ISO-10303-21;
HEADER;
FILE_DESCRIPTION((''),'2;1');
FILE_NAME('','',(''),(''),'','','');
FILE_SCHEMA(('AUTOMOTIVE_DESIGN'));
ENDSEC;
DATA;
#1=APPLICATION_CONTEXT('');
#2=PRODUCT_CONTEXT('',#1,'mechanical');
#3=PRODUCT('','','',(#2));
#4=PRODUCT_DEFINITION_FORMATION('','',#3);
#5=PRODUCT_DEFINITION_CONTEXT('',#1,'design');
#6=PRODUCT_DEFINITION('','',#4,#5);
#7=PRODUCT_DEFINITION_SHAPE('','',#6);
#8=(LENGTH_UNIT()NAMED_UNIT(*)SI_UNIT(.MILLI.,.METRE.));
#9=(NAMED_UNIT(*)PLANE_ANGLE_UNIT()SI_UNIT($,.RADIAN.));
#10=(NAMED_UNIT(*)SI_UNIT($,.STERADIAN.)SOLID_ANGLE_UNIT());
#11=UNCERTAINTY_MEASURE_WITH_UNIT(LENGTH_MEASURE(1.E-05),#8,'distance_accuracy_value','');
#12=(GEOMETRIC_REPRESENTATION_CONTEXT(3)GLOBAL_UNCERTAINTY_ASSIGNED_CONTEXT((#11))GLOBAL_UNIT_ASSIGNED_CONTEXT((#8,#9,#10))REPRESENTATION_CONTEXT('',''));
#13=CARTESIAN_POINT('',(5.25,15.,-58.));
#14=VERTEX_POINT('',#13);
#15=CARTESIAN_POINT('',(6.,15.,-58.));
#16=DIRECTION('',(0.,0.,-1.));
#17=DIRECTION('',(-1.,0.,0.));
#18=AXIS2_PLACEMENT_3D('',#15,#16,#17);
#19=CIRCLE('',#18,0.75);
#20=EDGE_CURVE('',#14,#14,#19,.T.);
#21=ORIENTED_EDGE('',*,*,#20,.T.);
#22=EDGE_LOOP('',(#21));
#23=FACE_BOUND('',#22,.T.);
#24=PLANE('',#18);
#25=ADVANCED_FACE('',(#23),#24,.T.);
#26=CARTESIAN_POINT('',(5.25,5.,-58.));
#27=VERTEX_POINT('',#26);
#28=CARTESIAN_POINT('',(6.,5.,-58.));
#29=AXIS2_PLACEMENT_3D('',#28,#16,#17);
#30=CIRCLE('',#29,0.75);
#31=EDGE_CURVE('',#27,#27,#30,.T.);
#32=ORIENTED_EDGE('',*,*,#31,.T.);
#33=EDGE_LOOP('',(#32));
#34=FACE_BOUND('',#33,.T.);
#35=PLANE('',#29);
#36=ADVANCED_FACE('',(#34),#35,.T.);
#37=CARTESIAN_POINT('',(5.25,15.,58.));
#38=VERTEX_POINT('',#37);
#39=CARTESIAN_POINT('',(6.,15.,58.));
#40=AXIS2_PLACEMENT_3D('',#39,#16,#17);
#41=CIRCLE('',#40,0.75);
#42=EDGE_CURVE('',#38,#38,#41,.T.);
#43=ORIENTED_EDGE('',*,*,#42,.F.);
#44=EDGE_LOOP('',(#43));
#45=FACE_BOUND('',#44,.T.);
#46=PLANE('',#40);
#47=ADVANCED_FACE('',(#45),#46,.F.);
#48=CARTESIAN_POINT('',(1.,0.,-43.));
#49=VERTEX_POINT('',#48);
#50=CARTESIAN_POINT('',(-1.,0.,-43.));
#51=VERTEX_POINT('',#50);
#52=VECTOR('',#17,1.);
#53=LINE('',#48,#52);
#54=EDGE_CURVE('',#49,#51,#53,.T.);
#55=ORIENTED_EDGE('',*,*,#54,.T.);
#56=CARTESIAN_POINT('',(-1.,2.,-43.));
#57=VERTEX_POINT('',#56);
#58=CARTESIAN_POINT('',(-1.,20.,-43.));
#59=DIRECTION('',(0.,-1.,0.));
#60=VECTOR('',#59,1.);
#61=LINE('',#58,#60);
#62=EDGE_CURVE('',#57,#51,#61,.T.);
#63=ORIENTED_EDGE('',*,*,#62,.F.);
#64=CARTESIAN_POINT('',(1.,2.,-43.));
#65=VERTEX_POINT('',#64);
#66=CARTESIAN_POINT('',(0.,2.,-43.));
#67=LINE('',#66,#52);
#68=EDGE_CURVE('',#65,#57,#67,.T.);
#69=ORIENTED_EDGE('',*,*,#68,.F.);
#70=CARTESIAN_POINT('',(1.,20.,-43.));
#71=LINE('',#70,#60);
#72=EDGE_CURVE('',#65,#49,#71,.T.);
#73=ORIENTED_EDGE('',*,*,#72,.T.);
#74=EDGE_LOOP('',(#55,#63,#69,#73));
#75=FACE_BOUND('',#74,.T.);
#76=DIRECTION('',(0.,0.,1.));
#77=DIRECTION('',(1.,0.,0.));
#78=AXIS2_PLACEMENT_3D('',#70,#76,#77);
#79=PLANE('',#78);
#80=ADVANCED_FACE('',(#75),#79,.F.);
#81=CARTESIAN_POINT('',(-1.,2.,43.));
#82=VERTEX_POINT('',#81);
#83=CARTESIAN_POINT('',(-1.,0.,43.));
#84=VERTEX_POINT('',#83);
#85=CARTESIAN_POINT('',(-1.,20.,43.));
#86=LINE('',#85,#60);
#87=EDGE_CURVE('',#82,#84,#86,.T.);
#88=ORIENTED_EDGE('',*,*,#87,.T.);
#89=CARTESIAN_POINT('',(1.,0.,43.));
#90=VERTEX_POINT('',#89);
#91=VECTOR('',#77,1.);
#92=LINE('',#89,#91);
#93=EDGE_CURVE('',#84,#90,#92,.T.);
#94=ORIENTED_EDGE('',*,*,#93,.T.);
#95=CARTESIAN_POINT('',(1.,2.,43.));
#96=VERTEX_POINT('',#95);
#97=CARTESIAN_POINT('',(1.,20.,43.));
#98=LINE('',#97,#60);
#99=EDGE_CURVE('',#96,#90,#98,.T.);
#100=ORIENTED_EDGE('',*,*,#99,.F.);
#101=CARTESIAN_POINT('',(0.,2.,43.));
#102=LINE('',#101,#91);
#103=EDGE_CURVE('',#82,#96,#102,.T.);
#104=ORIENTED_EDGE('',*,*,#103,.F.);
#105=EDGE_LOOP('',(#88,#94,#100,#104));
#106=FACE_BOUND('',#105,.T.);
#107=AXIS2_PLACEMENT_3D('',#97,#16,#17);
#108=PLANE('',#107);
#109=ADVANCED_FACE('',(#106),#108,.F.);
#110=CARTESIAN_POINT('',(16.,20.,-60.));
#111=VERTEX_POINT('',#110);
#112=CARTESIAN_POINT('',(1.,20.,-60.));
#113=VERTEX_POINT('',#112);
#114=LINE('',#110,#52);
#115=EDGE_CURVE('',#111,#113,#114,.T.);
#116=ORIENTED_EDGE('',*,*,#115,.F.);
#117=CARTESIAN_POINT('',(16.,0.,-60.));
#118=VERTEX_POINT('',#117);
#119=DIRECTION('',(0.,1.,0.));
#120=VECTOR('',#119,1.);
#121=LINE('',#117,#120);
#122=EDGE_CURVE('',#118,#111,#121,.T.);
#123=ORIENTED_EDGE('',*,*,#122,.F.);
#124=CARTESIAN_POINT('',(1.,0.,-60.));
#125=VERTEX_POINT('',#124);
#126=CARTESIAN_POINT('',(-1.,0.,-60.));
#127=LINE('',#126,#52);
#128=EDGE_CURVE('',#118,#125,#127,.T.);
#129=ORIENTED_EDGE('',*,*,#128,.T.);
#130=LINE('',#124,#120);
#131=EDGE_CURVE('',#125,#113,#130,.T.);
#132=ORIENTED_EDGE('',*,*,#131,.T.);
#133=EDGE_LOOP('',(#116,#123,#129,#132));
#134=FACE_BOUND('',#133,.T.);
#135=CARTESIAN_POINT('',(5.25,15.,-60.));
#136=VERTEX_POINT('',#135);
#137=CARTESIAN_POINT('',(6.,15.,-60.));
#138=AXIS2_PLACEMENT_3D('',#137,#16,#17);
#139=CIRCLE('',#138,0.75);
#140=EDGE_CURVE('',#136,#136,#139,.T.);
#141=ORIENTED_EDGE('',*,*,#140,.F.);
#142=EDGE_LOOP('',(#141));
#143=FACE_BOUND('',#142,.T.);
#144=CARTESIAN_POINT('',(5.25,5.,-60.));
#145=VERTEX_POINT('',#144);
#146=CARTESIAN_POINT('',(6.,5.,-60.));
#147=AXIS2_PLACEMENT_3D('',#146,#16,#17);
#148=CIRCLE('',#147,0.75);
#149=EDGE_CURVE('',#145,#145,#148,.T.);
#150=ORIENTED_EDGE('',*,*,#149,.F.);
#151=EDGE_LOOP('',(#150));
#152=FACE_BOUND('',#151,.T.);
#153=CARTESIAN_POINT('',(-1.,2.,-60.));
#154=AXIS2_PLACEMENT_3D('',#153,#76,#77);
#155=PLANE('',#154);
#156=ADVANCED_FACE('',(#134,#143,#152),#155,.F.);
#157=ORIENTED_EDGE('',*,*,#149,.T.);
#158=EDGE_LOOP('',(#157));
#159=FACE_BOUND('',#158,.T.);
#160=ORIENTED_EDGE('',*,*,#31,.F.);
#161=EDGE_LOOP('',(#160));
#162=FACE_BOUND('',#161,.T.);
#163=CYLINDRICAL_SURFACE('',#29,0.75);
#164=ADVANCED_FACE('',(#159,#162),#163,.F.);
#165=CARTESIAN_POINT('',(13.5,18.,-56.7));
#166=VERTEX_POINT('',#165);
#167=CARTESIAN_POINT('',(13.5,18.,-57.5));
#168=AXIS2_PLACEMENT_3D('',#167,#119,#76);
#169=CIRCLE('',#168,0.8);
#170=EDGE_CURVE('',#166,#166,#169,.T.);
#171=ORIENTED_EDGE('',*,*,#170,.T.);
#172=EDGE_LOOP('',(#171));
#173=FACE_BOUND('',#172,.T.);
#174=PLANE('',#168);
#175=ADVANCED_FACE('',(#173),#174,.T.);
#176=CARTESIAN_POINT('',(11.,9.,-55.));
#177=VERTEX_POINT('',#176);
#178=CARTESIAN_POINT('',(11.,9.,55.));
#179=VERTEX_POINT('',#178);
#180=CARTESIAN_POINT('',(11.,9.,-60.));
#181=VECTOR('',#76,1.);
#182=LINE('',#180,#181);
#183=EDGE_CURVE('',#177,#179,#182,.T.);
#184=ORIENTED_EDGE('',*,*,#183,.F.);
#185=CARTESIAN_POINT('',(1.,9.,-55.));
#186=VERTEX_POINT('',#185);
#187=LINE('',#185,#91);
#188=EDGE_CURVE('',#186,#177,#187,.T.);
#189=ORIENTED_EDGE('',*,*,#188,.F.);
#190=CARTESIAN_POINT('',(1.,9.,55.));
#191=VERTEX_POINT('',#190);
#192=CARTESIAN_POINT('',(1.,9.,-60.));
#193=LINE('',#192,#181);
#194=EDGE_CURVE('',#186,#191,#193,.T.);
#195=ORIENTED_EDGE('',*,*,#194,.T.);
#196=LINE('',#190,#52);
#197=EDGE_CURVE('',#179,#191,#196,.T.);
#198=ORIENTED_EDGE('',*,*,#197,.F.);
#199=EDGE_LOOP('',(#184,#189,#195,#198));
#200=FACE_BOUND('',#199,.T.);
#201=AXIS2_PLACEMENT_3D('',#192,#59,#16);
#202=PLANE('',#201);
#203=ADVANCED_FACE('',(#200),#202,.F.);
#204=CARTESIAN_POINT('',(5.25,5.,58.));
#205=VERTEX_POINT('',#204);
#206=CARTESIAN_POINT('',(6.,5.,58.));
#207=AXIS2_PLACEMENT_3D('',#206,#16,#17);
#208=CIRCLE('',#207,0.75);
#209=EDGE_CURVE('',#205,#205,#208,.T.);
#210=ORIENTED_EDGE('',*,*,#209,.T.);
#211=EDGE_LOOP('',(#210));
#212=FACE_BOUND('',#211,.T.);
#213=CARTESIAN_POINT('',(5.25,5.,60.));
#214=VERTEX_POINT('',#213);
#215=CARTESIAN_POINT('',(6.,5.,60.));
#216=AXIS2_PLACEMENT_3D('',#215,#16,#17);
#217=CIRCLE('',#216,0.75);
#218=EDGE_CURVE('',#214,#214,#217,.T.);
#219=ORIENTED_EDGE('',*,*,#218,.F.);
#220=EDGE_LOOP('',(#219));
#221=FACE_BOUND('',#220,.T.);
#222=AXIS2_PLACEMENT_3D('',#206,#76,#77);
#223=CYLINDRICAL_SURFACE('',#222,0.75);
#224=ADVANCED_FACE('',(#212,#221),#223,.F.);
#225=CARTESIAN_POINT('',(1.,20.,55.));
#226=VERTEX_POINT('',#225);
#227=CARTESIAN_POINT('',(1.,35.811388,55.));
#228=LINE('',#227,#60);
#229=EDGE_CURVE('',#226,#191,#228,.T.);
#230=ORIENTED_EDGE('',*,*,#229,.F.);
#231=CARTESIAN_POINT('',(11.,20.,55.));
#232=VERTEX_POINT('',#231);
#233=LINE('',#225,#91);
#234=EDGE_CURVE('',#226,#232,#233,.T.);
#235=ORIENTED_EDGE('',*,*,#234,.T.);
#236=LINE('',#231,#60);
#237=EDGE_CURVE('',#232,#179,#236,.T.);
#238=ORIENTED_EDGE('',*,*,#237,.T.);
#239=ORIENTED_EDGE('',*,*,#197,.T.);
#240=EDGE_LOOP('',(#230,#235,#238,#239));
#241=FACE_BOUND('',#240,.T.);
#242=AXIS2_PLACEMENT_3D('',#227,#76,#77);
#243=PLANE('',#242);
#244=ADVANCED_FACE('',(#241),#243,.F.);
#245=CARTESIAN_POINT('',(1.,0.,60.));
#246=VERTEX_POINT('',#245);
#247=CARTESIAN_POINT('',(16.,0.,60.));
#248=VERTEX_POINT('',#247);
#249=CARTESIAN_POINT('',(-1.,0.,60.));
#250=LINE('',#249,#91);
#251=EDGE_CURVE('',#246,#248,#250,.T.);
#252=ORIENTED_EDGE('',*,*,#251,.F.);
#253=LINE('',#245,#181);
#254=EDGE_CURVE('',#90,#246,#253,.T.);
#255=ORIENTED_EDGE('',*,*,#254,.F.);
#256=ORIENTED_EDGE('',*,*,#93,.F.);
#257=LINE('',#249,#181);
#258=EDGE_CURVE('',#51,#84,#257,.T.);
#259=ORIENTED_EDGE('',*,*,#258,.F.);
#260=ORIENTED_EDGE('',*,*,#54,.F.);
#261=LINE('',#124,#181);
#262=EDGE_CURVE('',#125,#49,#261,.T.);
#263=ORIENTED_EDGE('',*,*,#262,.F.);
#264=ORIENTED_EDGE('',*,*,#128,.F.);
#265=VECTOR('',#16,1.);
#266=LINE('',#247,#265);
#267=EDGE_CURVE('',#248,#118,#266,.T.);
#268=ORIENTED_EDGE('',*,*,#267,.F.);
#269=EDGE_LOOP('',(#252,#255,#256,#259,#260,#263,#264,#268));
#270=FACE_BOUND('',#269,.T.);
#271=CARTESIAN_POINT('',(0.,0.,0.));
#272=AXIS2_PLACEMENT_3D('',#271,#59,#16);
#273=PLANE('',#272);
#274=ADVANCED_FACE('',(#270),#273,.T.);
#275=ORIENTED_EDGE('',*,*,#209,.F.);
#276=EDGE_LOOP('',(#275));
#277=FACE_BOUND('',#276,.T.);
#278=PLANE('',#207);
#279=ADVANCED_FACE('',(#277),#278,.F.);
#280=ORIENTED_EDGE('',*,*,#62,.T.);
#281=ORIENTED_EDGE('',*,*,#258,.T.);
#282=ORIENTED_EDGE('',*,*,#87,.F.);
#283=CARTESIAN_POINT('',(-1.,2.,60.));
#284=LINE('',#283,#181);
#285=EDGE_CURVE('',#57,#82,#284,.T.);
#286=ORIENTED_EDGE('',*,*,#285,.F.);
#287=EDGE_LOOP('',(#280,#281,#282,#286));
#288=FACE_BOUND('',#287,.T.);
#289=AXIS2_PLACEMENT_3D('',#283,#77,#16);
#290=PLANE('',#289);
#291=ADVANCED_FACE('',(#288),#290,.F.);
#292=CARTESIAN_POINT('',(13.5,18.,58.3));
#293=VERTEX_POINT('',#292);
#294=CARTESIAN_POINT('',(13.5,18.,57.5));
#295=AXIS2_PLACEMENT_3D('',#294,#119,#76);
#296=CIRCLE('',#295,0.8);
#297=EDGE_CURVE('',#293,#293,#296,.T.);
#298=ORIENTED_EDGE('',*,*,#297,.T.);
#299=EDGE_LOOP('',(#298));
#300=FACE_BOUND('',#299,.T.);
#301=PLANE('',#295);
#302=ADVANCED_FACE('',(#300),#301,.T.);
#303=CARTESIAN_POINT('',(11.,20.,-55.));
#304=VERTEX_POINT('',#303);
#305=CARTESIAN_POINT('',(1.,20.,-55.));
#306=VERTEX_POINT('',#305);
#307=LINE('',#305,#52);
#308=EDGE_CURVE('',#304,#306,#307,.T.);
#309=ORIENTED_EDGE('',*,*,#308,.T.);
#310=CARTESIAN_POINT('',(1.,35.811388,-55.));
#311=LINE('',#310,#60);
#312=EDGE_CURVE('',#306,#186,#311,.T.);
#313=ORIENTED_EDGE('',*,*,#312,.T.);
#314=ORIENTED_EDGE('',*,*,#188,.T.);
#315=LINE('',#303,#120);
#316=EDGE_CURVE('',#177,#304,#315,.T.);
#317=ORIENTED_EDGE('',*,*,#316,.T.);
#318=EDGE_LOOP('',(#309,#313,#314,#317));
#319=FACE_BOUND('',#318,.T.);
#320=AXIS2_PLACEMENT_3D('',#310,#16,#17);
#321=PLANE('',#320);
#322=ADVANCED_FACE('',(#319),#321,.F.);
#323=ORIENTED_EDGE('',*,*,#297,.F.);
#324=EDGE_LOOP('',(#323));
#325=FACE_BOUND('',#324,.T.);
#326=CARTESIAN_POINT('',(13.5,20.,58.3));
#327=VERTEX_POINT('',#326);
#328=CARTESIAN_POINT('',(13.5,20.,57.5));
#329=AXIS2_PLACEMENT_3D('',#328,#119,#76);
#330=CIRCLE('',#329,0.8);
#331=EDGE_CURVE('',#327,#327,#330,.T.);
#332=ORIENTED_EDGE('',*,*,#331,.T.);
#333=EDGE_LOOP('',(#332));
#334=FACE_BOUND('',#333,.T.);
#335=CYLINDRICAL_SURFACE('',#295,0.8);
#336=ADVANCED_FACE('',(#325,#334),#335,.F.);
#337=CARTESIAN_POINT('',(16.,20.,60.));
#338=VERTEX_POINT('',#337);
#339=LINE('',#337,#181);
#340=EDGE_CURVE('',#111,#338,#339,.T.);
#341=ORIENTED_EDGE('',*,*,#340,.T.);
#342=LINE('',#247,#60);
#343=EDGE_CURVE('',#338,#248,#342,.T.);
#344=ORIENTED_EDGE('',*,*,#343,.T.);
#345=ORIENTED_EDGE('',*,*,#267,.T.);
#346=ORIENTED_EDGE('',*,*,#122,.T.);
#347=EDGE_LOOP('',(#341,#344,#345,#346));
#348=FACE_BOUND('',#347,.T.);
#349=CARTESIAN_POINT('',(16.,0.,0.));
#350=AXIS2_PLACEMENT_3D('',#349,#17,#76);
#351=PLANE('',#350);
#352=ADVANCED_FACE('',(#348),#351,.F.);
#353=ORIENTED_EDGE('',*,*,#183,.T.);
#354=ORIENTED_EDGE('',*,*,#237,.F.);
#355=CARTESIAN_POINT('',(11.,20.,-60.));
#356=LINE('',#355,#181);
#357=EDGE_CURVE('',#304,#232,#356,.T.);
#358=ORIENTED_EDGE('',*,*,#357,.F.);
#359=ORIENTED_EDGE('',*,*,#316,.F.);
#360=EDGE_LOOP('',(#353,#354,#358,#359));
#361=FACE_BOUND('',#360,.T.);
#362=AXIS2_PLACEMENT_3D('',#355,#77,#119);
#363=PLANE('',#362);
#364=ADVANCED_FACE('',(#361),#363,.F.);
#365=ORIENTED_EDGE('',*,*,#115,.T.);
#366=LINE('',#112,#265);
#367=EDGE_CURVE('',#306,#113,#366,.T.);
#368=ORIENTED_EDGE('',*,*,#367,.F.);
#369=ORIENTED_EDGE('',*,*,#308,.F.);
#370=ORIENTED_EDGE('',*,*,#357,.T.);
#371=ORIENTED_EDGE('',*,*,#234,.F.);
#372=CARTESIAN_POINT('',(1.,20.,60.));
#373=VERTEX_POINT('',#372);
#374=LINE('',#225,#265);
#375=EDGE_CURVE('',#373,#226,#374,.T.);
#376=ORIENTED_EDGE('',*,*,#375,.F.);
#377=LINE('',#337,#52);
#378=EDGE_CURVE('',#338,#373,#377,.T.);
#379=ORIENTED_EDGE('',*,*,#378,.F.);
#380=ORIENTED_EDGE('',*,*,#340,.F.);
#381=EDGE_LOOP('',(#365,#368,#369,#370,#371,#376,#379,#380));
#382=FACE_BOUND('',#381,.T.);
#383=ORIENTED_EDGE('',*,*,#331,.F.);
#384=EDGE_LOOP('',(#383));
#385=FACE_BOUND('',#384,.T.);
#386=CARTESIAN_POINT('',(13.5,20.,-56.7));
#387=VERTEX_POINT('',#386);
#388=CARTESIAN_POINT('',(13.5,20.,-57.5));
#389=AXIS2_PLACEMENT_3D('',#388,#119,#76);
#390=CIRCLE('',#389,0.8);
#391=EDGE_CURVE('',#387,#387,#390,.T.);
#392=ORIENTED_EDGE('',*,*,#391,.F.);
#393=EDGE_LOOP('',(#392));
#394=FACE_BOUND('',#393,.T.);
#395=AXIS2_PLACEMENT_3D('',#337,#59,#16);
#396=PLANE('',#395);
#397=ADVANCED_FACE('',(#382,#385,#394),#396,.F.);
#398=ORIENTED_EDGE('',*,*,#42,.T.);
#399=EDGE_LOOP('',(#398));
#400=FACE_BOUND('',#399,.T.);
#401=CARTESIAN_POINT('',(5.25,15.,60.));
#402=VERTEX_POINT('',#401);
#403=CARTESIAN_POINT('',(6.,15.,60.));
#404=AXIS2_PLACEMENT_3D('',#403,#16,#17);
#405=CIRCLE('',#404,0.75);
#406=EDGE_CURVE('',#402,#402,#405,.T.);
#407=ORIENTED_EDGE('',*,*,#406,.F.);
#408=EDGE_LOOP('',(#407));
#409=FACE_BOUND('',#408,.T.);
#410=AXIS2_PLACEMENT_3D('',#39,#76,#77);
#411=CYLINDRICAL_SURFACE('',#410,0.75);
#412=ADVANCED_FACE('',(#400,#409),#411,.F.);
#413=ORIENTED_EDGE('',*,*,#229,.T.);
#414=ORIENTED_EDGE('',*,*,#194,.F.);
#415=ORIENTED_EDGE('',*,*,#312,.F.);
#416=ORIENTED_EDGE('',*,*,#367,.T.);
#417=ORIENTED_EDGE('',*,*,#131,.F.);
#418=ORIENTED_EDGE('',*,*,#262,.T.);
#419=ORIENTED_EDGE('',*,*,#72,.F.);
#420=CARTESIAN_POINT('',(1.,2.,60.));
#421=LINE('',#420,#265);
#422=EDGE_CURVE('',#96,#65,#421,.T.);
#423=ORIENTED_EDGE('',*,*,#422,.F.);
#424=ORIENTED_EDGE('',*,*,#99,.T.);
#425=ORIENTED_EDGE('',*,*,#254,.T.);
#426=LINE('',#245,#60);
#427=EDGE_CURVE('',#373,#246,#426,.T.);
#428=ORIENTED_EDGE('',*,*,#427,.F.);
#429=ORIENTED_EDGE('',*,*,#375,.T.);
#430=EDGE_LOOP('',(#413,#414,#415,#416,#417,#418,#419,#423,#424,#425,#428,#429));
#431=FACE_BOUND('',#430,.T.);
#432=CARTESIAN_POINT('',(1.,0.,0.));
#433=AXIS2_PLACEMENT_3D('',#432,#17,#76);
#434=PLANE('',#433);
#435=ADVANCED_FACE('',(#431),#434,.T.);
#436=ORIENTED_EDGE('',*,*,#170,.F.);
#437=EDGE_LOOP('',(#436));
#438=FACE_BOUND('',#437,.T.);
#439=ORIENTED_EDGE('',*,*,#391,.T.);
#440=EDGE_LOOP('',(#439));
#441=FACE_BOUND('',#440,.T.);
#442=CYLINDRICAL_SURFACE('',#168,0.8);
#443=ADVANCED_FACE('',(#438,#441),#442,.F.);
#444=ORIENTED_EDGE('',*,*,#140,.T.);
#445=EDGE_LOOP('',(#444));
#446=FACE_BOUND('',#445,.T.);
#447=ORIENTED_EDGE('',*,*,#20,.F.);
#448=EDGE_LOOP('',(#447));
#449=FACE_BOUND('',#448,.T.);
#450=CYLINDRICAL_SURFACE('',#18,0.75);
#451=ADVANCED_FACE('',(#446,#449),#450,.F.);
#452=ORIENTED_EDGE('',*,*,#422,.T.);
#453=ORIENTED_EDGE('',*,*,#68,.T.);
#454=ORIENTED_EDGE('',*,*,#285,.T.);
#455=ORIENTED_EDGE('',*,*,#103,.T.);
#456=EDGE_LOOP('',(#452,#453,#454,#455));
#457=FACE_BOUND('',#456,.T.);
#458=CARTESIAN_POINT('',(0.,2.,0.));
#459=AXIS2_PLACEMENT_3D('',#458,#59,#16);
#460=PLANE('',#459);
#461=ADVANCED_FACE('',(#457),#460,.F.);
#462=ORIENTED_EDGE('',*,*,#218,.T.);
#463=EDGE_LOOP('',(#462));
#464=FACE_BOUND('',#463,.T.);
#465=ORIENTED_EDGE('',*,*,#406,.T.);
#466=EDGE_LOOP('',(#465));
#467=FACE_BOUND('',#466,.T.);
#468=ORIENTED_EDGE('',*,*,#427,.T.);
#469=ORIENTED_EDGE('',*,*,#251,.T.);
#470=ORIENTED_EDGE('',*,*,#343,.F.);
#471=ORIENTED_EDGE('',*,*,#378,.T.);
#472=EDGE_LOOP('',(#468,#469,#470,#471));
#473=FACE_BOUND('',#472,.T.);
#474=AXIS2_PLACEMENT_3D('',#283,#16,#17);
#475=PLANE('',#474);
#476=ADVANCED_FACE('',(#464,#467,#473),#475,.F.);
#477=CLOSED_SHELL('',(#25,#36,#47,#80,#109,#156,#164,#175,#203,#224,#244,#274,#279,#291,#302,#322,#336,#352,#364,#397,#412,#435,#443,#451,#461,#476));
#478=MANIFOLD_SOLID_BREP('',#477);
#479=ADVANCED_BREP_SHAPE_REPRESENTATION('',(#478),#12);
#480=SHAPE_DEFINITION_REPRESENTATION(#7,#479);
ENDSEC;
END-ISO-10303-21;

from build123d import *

# Parameters (mm, degrees)
SKETCH_1_W          = 2
SKETCH_1_H          = 120
EXTRUDE_1_DEPTH     = 2
SKETCH_3_W          = 120
SKETCH_3_H          = 20
EXTRUDE_3_DEPTH     = 15
SKETCH_4_W          = 10
SKETCH_4_H          = 11
CUT_EXTRUDE_1_DEPTH = 123.702893201
SKETCH_5_W          = 2
SKETCH_5_H          = 17
CUT_EXTRUDE_2_DEPTH = 66.238025721
SKETCH_6_W          = 15
SKETCH_6_H          = 5
EXTRUDE_4_DEPTH     = 11
SKETCH_7_R          = 0.75
CUT_EXTRUDE_3_DEPTH = 2
CUT_EXTRUDE_START   = -118
SKETCH_7_3_R        = 0.75
CUT_EXTRUDE_4_DEPTH = 2
SKETCH_8_R          = 0.8
CUT_EXTRUDE_5_DEPTH = 2


with BuildPart() as part:
    # 草图1 → 凸台-拉伸1 (new body)
    with BuildSketch(Plane(origin=(0, 0, 0), x_dir=(1, 0, 0), z_dir=(0, 1, 0))):
        Rectangle(SKETCH_1_W, SKETCH_1_H)
    extrude(amount=EXTRUDE_1_DEPTH)

    # 草图3 → 凸台-拉伸3 (add)
    with BuildSketch(Plane(origin=(1, 0, 0), x_dir=(0, 0, -1), z_dir=(1, 0, 0))):
        with Locations((0, 10)):
            Rectangle(SKETCH_3_W, SKETCH_3_H)
    extrude(amount=EXTRUDE_3_DEPTH)

    # 草图4 → 切除-拉伸1 (cut, through all)
    with BuildSketch(Plane.XY.offset(60)):
        with Locations((6, 14.5)):
            Rectangle(SKETCH_4_W, SKETCH_4_H)
    extrude(amount=-CUT_EXTRUDE_1_DEPTH, mode=Mode.SUBTRACT)

    # 草图5 → 切除-拉伸2 (cut, through all)
    with BuildSketch(Plane.XZ):
        with Locations((0, 51.5)):
            Rectangle(SKETCH_5_W, SKETCH_5_H)
        with Locations((0, -51.5)):
            Rectangle(SKETCH_5_W, SKETCH_5_H)
    extrude(amount=-CUT_EXTRUDE_2_DEPTH, mode=Mode.SUBTRACT)

    # 草图6 → 凸台-拉伸4 (add)
    with BuildSketch(Plane(origin=(0, 9, 0), x_dir=(1, 0, 0), z_dir=(0, 1, 0))):
        with Locations((8.5, -57.5)):
            Rectangle(SKETCH_6_W, SKETCH_6_H)
        with Locations((8.5, 57.5)):
            Rectangle(SKETCH_6_W, SKETCH_6_H)
    extrude(amount=EXTRUDE_4_DEPTH)

    # 草图7 → 切除-拉伸3 (cut)
    with BuildSketch(Plane(origin=(0, 0, -60), x_dir=(-1, 0, 0), z_dir=(0, 0, -1))):
        with Locations((-6, 15)):
            Circle(SKETCH_7_R)
        with Locations((-6, 5)):
            Circle(SKETCH_7_R)
    extrude(amount=-CUT_EXTRUDE_3_DEPTH, mode=Mode.SUBTRACT)

    # 草图7<3> → 切除-拉伸4 (cut)
    with BuildSketch(Plane(origin=(0, 0, -60), x_dir=(-1, 0, 0), z_dir=(0, 0, -1)).offset(CUT_EXTRUDE_START)):
        with Locations((-6, 15)):
            Circle(SKETCH_7_3_R)
        with Locations((-6, 5)):
            Circle(SKETCH_7_3_R)
    extrude(amount=-CUT_EXTRUDE_4_DEPTH, mode=Mode.SUBTRACT)

    # 草图8 → 切除-拉伸5 (cut)
    with BuildSketch(Plane(origin=(0, 20, 0), x_dir=(1, 0, 0), z_dir=(0, 1, 0))):
        with Locations(Location((13.5, -57.5, 0), (0, 0, 270))):
            Circle(SKETCH_8_R)
        with Locations(Location((13.5, 57.5, 0), (0, 0, 270))):
            Circle(SKETCH_8_R)
    extrude(amount=-CUT_EXTRUDE_5_DEPTH, mode=Mode.SUBTRACT)


solid = part.part
